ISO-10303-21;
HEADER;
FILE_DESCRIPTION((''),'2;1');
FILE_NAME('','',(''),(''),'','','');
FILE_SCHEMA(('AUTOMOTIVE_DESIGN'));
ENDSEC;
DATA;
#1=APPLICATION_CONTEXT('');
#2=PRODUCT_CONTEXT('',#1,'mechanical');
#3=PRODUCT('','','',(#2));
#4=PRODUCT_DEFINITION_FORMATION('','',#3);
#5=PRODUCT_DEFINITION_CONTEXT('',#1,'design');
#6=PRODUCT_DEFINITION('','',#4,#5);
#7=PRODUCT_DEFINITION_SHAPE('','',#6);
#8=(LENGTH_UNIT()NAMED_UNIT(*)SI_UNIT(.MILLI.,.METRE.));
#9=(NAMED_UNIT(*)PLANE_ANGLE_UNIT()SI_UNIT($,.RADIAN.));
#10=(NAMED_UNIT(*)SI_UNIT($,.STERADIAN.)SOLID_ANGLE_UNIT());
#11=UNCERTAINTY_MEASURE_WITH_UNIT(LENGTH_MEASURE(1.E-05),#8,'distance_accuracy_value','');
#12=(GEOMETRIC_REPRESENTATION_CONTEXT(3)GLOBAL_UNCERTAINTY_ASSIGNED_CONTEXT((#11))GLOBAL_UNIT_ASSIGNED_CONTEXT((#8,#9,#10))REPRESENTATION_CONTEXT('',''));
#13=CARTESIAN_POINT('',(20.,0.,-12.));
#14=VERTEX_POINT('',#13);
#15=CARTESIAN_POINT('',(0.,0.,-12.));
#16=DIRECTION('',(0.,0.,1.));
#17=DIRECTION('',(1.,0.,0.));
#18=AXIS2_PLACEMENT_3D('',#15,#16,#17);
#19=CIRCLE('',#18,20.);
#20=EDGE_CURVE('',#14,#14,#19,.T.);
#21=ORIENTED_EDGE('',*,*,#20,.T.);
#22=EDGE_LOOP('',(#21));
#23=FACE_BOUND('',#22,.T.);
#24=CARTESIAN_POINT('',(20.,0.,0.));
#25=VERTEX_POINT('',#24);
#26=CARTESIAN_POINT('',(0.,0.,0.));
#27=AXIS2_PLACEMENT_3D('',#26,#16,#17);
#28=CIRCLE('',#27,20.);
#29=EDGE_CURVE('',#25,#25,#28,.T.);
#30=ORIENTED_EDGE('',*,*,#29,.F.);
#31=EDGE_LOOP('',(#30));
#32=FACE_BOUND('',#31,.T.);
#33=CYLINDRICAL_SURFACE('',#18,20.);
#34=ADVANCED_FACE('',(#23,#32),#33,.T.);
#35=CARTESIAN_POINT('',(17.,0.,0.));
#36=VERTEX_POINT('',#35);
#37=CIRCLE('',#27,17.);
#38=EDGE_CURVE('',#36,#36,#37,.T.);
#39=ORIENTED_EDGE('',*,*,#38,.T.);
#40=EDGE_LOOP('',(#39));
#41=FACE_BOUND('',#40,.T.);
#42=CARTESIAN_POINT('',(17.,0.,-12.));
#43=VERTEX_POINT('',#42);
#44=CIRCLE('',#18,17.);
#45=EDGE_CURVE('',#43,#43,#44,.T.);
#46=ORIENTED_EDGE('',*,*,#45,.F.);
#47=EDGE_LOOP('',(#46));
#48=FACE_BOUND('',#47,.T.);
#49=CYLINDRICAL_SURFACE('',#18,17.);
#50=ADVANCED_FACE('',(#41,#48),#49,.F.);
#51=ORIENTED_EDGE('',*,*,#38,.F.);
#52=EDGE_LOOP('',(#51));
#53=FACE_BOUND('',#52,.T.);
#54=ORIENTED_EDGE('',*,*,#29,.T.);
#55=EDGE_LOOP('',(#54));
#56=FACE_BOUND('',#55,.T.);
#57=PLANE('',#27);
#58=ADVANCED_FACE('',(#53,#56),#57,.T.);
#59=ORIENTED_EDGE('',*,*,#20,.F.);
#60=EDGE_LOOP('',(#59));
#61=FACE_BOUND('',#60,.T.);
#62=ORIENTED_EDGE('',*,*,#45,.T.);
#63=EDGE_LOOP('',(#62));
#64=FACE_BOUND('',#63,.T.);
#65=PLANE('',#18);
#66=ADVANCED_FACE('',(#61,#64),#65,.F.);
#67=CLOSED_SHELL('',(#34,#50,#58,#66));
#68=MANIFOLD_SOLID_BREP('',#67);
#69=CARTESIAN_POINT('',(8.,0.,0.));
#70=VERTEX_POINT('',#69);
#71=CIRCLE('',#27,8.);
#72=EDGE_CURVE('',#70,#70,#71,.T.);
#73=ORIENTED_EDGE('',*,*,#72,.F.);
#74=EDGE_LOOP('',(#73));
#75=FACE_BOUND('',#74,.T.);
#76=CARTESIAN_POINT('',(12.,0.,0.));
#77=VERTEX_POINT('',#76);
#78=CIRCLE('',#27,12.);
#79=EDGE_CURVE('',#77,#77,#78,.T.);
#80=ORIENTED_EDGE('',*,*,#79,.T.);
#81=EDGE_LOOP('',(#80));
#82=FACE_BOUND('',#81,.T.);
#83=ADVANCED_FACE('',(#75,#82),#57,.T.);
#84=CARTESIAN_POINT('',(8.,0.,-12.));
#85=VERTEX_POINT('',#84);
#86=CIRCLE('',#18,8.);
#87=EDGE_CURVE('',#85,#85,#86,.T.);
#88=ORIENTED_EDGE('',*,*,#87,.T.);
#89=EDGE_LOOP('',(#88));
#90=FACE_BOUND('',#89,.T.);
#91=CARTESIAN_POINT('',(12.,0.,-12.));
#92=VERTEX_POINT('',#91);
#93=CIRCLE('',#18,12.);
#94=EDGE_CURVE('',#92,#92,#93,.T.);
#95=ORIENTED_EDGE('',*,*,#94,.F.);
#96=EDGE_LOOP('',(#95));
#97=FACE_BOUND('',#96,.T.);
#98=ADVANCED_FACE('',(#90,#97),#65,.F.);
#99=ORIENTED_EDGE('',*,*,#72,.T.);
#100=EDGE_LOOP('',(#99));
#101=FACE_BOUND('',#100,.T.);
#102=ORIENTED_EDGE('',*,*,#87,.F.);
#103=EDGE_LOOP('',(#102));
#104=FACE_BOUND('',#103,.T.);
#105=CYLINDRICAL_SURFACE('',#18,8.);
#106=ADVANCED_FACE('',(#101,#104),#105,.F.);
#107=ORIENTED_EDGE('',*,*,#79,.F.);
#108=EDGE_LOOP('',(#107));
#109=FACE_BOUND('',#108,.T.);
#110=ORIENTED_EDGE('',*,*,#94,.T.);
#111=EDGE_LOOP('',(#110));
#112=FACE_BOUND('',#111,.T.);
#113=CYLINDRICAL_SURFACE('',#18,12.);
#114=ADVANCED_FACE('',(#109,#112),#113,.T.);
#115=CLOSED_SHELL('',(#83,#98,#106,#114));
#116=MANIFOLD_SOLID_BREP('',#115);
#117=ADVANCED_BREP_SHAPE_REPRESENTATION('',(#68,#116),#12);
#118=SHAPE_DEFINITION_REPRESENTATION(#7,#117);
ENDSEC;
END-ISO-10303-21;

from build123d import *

# Parameters (mm, degrees)
SKETCH1_R           = 20
SKETCH1_R_2         = 17
BOSS_EXTRUDE1_DEPTH = 12
SKETCH2_R           = 12
SKETCH2_R_2         = 8
BOSS_EXTRUDE2_DEPTH = 12


with BuildPart() as part:
    # Sketch1 → Boss-Extrude1 (new body)
    with BuildSketch(Plane.XY):
        Circle(SKETCH1_R)
        Circle(SKETCH1_R_2, mode=Mode.SUBTRACT)
    extrude(amount=-BOSS_EXTRUDE1_DEPTH)


with BuildPart() as body_2:
    # Sketch2 → Boss-Extrude2 (new body)
    with BuildSketch(Plane.XY):
        Circle(SKETCH2_R)
        Circle(SKETCH2_R_2, mode=Mode.SUBTRACT)
    extrude(amount=-BOSS_EXTRUDE2_DEPTH)


solid = Compound([part.part, body_2.part])
